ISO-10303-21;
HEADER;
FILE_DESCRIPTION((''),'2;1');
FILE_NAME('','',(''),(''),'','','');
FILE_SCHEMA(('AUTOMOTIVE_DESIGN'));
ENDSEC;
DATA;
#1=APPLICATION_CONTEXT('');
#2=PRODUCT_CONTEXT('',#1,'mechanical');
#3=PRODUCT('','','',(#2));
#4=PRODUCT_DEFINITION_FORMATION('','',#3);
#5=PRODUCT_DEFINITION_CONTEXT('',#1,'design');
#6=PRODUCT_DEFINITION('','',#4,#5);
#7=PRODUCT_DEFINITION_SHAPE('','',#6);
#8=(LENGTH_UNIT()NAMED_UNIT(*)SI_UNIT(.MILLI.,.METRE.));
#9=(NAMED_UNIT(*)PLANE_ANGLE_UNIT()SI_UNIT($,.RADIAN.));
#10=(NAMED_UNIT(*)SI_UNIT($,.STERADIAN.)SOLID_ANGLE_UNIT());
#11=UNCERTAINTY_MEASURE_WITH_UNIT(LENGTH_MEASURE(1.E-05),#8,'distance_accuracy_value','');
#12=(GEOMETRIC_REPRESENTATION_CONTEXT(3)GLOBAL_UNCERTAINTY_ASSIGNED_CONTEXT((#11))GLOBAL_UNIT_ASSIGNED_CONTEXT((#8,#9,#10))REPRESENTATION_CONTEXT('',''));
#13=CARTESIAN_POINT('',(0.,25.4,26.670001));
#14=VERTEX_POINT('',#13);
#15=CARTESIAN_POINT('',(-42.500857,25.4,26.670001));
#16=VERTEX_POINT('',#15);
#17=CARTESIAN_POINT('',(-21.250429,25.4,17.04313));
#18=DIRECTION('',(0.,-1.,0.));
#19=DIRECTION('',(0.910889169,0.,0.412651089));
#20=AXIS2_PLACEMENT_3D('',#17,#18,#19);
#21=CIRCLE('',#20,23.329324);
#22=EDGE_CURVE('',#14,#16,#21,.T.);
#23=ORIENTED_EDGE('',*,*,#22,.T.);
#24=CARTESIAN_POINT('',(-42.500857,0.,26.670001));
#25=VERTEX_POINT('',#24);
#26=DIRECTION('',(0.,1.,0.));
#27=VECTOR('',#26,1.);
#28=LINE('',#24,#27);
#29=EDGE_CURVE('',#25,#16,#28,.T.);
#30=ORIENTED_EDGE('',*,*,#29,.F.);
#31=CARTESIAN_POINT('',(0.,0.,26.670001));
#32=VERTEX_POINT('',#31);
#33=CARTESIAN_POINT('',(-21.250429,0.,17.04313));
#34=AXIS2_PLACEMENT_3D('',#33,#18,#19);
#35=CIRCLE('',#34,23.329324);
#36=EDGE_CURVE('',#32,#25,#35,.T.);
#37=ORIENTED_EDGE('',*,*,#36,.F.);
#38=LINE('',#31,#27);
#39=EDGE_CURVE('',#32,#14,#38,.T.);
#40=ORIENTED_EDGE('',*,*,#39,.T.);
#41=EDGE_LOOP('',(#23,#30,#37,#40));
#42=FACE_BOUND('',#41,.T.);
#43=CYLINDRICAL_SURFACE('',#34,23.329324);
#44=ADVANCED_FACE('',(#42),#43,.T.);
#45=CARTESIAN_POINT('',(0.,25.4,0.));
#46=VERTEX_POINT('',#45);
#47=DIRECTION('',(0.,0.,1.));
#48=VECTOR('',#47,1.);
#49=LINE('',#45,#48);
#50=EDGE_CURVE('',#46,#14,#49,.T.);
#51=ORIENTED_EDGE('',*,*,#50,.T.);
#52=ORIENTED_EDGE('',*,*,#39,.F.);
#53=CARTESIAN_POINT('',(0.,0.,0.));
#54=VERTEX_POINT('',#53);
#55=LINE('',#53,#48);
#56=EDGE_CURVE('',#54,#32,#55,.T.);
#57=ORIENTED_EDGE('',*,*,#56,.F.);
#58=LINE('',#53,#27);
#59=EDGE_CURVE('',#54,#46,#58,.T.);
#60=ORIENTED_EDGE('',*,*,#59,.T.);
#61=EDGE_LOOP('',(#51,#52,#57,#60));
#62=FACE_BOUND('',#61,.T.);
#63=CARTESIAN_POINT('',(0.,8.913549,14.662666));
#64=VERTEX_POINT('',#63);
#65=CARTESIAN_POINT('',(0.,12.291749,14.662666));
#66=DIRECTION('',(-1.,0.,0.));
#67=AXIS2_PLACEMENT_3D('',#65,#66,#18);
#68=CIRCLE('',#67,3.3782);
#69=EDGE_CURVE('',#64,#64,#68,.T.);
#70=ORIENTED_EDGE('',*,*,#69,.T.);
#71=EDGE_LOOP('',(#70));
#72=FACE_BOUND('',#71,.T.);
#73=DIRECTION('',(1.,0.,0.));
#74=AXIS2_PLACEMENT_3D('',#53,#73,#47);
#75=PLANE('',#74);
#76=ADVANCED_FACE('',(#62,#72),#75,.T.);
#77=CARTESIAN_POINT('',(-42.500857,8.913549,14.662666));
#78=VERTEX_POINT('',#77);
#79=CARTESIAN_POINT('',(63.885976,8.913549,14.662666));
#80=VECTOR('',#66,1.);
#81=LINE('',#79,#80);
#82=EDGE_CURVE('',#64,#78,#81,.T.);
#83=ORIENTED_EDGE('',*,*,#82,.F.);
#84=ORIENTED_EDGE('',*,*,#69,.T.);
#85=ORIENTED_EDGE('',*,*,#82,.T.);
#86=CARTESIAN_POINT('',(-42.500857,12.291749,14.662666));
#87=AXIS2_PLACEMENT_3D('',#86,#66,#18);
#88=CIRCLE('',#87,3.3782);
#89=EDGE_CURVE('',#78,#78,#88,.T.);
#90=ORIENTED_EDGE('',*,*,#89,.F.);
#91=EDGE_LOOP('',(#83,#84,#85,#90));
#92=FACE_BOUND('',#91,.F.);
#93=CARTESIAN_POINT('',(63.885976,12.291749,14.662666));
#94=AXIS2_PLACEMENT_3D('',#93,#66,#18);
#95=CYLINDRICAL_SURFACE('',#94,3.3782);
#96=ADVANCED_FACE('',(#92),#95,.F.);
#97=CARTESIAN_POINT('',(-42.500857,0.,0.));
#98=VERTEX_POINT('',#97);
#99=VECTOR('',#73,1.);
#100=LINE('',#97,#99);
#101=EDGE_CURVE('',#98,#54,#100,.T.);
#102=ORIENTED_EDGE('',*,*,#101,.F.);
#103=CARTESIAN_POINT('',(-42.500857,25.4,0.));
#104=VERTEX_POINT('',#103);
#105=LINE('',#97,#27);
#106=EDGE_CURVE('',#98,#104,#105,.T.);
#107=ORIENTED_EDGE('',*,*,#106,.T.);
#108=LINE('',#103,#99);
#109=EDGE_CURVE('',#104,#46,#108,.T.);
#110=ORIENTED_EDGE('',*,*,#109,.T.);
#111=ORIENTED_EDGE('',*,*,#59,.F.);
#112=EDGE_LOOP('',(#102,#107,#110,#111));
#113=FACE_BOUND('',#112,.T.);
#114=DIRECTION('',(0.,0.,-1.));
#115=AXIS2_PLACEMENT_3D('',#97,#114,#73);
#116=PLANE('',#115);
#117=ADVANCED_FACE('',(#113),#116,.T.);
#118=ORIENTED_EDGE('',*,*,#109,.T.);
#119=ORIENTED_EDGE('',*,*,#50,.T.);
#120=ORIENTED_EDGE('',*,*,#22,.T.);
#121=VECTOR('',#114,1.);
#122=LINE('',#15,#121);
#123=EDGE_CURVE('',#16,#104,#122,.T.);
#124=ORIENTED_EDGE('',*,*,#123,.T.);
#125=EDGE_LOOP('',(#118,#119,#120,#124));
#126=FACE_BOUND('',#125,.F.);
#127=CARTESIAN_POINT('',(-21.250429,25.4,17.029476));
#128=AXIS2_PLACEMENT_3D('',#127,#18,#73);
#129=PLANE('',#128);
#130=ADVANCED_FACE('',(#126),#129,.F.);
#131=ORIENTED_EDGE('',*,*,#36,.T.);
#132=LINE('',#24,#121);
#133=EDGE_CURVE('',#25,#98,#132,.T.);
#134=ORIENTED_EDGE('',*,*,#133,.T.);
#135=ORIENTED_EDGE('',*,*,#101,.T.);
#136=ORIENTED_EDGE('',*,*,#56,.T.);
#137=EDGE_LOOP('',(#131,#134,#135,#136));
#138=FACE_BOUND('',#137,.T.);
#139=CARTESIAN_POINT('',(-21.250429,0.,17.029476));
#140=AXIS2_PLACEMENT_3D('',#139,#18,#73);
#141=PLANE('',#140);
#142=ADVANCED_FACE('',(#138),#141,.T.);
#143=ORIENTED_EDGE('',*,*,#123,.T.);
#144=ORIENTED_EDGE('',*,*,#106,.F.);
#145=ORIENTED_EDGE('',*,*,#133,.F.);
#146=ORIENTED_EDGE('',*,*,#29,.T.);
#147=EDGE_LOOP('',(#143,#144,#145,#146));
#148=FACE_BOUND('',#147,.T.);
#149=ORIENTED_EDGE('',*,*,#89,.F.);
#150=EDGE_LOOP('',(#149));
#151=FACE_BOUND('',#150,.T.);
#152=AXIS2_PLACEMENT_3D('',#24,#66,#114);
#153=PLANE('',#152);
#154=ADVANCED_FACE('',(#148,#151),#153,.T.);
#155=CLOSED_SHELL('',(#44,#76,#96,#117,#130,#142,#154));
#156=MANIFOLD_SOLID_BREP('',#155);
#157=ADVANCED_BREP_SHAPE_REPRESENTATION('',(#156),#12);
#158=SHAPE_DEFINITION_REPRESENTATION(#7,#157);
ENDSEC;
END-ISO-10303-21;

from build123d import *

# Parameters (mm, degrees)
F1_DEPTH = 25.4
F3_D     = 6.7564


with BuildPart() as f1:
    # F0 (on Front) → F1 (new body)
    with BuildSketch(Plane.XZ):
        with BuildLine():
            Line((-42.5008572638, 0), (0, 0))
            Line((0, 0), (0, 26.6700014472))
            ThreePointArc((0, 26.6700014472), (-21.2504286319, 40.3724545475), (-42.5008572638, 26.6700014472))
            Line((-42.5008572638, 26.6700014472), (-42.5008572638, 0))
        make_face()
    extrude(amount=-F1_DEPTH)

    # F3 (through all)
    with Locations(Plane.YZ):
        with Locations((12.291749008, 14.6626662463)):
            Hole(F3_D / 2)


solid = f1.part
